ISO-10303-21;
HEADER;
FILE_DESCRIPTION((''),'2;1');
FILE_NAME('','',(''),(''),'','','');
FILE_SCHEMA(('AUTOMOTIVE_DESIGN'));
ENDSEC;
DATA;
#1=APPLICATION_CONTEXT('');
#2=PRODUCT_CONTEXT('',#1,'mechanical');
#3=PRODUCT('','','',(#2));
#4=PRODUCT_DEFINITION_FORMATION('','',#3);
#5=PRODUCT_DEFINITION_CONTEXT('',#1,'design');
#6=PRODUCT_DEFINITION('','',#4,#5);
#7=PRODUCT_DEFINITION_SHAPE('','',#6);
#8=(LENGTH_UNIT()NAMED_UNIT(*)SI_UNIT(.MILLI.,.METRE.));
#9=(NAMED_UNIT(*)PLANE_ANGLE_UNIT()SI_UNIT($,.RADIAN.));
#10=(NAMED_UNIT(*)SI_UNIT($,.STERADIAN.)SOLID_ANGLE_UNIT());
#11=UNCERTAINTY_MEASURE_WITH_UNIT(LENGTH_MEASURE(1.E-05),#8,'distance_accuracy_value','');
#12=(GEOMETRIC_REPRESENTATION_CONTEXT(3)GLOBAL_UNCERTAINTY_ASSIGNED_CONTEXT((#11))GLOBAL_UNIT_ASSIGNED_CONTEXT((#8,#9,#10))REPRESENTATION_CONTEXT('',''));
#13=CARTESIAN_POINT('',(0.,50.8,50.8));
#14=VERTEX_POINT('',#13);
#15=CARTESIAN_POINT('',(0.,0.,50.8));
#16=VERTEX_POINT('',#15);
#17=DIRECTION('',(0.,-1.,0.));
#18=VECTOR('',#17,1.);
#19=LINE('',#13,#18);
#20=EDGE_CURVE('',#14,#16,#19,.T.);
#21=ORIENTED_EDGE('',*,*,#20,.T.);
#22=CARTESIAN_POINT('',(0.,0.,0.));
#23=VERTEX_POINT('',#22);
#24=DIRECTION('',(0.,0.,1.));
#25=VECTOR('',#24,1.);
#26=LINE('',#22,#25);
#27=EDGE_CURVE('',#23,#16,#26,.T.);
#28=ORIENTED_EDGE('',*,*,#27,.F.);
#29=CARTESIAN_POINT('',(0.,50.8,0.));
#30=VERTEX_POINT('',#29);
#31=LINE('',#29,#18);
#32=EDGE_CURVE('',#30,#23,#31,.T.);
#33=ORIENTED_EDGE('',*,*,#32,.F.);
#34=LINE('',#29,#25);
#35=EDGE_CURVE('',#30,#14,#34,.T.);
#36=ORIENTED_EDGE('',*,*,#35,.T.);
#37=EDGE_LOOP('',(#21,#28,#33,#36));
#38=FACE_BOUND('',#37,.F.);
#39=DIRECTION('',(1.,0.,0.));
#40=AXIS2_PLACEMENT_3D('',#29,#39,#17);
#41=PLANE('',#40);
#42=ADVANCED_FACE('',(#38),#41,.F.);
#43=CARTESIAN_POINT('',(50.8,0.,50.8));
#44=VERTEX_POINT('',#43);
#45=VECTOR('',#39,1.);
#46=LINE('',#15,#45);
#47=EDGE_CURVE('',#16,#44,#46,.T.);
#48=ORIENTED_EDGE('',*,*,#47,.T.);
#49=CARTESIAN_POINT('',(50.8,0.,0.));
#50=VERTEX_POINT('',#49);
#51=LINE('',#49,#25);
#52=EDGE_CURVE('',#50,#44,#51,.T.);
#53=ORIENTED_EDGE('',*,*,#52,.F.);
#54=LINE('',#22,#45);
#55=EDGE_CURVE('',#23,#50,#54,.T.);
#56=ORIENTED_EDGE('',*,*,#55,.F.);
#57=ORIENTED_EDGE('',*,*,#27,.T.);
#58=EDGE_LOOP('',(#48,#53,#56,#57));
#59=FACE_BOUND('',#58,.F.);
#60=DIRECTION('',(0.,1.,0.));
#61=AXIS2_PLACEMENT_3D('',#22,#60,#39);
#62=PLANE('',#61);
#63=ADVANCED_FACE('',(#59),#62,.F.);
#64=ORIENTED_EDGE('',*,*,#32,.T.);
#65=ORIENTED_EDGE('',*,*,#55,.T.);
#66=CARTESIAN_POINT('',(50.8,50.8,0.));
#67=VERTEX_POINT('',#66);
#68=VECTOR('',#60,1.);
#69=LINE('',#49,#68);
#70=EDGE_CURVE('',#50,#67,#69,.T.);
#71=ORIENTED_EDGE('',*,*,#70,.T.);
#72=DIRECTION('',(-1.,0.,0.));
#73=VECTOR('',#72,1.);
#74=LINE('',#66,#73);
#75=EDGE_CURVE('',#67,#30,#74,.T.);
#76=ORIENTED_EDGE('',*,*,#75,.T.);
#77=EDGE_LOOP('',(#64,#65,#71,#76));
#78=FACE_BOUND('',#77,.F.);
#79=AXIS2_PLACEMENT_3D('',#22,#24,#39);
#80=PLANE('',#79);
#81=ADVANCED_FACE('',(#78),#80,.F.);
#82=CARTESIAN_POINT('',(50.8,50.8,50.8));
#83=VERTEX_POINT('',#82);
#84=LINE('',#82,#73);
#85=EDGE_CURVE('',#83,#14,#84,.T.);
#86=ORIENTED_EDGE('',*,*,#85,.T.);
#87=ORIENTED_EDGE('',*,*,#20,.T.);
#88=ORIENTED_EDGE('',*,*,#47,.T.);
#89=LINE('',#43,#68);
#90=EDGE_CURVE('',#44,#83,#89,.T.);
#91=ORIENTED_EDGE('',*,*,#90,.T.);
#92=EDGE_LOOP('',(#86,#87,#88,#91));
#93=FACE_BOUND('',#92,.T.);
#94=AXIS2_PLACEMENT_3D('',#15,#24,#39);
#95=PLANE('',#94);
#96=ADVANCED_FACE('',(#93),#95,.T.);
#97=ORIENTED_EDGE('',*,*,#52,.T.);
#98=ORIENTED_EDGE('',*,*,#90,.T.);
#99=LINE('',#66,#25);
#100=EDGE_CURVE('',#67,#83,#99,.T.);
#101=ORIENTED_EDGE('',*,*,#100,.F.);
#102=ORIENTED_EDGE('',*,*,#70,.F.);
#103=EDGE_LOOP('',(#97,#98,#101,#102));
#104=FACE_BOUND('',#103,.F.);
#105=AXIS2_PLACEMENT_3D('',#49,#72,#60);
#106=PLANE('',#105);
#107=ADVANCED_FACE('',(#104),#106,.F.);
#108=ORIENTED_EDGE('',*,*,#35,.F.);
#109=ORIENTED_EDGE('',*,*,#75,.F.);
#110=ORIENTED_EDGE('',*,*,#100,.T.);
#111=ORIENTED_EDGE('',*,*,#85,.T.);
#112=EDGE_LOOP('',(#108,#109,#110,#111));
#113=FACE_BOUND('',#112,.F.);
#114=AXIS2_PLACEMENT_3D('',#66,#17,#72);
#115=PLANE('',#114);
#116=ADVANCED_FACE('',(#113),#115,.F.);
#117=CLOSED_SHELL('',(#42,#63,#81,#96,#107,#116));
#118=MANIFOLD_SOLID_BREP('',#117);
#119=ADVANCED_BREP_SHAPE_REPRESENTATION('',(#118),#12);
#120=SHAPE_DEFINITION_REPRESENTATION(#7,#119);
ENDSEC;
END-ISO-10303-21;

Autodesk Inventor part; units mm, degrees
ref_plane "YZ Plane" through (0, 0, 0) normal (1, 0, 0) x (0, 1, 0)
ref_plane "XZ Plane" through (0, 0, 0) normal (0, 1, 0) x (-1, 0, 0)
ref_plane "XY Plane" through (0, 0, 0) normal (0, 0, 1) x (1, 0, 0)
sketch "Sketch1" plane through (0, 0, 0) normal (0, 0, 1) x (1, 0, 0)
  line L0 (0, 0) -> (50.8, 0)
  line L1 (50.8, 0) -> (50.8, 50.8)
  line L2 (50.8, 50.8) -> (0, 50.8)
  line L3 (0, 50.8) -> (0, 0)
  dimension "d0" = 50.8
  dimension "d1" = 50.8
extrude "Extrusion1" add sketch "Sketch1" along normal blind 50.8
properties part number "2inchsquare"
